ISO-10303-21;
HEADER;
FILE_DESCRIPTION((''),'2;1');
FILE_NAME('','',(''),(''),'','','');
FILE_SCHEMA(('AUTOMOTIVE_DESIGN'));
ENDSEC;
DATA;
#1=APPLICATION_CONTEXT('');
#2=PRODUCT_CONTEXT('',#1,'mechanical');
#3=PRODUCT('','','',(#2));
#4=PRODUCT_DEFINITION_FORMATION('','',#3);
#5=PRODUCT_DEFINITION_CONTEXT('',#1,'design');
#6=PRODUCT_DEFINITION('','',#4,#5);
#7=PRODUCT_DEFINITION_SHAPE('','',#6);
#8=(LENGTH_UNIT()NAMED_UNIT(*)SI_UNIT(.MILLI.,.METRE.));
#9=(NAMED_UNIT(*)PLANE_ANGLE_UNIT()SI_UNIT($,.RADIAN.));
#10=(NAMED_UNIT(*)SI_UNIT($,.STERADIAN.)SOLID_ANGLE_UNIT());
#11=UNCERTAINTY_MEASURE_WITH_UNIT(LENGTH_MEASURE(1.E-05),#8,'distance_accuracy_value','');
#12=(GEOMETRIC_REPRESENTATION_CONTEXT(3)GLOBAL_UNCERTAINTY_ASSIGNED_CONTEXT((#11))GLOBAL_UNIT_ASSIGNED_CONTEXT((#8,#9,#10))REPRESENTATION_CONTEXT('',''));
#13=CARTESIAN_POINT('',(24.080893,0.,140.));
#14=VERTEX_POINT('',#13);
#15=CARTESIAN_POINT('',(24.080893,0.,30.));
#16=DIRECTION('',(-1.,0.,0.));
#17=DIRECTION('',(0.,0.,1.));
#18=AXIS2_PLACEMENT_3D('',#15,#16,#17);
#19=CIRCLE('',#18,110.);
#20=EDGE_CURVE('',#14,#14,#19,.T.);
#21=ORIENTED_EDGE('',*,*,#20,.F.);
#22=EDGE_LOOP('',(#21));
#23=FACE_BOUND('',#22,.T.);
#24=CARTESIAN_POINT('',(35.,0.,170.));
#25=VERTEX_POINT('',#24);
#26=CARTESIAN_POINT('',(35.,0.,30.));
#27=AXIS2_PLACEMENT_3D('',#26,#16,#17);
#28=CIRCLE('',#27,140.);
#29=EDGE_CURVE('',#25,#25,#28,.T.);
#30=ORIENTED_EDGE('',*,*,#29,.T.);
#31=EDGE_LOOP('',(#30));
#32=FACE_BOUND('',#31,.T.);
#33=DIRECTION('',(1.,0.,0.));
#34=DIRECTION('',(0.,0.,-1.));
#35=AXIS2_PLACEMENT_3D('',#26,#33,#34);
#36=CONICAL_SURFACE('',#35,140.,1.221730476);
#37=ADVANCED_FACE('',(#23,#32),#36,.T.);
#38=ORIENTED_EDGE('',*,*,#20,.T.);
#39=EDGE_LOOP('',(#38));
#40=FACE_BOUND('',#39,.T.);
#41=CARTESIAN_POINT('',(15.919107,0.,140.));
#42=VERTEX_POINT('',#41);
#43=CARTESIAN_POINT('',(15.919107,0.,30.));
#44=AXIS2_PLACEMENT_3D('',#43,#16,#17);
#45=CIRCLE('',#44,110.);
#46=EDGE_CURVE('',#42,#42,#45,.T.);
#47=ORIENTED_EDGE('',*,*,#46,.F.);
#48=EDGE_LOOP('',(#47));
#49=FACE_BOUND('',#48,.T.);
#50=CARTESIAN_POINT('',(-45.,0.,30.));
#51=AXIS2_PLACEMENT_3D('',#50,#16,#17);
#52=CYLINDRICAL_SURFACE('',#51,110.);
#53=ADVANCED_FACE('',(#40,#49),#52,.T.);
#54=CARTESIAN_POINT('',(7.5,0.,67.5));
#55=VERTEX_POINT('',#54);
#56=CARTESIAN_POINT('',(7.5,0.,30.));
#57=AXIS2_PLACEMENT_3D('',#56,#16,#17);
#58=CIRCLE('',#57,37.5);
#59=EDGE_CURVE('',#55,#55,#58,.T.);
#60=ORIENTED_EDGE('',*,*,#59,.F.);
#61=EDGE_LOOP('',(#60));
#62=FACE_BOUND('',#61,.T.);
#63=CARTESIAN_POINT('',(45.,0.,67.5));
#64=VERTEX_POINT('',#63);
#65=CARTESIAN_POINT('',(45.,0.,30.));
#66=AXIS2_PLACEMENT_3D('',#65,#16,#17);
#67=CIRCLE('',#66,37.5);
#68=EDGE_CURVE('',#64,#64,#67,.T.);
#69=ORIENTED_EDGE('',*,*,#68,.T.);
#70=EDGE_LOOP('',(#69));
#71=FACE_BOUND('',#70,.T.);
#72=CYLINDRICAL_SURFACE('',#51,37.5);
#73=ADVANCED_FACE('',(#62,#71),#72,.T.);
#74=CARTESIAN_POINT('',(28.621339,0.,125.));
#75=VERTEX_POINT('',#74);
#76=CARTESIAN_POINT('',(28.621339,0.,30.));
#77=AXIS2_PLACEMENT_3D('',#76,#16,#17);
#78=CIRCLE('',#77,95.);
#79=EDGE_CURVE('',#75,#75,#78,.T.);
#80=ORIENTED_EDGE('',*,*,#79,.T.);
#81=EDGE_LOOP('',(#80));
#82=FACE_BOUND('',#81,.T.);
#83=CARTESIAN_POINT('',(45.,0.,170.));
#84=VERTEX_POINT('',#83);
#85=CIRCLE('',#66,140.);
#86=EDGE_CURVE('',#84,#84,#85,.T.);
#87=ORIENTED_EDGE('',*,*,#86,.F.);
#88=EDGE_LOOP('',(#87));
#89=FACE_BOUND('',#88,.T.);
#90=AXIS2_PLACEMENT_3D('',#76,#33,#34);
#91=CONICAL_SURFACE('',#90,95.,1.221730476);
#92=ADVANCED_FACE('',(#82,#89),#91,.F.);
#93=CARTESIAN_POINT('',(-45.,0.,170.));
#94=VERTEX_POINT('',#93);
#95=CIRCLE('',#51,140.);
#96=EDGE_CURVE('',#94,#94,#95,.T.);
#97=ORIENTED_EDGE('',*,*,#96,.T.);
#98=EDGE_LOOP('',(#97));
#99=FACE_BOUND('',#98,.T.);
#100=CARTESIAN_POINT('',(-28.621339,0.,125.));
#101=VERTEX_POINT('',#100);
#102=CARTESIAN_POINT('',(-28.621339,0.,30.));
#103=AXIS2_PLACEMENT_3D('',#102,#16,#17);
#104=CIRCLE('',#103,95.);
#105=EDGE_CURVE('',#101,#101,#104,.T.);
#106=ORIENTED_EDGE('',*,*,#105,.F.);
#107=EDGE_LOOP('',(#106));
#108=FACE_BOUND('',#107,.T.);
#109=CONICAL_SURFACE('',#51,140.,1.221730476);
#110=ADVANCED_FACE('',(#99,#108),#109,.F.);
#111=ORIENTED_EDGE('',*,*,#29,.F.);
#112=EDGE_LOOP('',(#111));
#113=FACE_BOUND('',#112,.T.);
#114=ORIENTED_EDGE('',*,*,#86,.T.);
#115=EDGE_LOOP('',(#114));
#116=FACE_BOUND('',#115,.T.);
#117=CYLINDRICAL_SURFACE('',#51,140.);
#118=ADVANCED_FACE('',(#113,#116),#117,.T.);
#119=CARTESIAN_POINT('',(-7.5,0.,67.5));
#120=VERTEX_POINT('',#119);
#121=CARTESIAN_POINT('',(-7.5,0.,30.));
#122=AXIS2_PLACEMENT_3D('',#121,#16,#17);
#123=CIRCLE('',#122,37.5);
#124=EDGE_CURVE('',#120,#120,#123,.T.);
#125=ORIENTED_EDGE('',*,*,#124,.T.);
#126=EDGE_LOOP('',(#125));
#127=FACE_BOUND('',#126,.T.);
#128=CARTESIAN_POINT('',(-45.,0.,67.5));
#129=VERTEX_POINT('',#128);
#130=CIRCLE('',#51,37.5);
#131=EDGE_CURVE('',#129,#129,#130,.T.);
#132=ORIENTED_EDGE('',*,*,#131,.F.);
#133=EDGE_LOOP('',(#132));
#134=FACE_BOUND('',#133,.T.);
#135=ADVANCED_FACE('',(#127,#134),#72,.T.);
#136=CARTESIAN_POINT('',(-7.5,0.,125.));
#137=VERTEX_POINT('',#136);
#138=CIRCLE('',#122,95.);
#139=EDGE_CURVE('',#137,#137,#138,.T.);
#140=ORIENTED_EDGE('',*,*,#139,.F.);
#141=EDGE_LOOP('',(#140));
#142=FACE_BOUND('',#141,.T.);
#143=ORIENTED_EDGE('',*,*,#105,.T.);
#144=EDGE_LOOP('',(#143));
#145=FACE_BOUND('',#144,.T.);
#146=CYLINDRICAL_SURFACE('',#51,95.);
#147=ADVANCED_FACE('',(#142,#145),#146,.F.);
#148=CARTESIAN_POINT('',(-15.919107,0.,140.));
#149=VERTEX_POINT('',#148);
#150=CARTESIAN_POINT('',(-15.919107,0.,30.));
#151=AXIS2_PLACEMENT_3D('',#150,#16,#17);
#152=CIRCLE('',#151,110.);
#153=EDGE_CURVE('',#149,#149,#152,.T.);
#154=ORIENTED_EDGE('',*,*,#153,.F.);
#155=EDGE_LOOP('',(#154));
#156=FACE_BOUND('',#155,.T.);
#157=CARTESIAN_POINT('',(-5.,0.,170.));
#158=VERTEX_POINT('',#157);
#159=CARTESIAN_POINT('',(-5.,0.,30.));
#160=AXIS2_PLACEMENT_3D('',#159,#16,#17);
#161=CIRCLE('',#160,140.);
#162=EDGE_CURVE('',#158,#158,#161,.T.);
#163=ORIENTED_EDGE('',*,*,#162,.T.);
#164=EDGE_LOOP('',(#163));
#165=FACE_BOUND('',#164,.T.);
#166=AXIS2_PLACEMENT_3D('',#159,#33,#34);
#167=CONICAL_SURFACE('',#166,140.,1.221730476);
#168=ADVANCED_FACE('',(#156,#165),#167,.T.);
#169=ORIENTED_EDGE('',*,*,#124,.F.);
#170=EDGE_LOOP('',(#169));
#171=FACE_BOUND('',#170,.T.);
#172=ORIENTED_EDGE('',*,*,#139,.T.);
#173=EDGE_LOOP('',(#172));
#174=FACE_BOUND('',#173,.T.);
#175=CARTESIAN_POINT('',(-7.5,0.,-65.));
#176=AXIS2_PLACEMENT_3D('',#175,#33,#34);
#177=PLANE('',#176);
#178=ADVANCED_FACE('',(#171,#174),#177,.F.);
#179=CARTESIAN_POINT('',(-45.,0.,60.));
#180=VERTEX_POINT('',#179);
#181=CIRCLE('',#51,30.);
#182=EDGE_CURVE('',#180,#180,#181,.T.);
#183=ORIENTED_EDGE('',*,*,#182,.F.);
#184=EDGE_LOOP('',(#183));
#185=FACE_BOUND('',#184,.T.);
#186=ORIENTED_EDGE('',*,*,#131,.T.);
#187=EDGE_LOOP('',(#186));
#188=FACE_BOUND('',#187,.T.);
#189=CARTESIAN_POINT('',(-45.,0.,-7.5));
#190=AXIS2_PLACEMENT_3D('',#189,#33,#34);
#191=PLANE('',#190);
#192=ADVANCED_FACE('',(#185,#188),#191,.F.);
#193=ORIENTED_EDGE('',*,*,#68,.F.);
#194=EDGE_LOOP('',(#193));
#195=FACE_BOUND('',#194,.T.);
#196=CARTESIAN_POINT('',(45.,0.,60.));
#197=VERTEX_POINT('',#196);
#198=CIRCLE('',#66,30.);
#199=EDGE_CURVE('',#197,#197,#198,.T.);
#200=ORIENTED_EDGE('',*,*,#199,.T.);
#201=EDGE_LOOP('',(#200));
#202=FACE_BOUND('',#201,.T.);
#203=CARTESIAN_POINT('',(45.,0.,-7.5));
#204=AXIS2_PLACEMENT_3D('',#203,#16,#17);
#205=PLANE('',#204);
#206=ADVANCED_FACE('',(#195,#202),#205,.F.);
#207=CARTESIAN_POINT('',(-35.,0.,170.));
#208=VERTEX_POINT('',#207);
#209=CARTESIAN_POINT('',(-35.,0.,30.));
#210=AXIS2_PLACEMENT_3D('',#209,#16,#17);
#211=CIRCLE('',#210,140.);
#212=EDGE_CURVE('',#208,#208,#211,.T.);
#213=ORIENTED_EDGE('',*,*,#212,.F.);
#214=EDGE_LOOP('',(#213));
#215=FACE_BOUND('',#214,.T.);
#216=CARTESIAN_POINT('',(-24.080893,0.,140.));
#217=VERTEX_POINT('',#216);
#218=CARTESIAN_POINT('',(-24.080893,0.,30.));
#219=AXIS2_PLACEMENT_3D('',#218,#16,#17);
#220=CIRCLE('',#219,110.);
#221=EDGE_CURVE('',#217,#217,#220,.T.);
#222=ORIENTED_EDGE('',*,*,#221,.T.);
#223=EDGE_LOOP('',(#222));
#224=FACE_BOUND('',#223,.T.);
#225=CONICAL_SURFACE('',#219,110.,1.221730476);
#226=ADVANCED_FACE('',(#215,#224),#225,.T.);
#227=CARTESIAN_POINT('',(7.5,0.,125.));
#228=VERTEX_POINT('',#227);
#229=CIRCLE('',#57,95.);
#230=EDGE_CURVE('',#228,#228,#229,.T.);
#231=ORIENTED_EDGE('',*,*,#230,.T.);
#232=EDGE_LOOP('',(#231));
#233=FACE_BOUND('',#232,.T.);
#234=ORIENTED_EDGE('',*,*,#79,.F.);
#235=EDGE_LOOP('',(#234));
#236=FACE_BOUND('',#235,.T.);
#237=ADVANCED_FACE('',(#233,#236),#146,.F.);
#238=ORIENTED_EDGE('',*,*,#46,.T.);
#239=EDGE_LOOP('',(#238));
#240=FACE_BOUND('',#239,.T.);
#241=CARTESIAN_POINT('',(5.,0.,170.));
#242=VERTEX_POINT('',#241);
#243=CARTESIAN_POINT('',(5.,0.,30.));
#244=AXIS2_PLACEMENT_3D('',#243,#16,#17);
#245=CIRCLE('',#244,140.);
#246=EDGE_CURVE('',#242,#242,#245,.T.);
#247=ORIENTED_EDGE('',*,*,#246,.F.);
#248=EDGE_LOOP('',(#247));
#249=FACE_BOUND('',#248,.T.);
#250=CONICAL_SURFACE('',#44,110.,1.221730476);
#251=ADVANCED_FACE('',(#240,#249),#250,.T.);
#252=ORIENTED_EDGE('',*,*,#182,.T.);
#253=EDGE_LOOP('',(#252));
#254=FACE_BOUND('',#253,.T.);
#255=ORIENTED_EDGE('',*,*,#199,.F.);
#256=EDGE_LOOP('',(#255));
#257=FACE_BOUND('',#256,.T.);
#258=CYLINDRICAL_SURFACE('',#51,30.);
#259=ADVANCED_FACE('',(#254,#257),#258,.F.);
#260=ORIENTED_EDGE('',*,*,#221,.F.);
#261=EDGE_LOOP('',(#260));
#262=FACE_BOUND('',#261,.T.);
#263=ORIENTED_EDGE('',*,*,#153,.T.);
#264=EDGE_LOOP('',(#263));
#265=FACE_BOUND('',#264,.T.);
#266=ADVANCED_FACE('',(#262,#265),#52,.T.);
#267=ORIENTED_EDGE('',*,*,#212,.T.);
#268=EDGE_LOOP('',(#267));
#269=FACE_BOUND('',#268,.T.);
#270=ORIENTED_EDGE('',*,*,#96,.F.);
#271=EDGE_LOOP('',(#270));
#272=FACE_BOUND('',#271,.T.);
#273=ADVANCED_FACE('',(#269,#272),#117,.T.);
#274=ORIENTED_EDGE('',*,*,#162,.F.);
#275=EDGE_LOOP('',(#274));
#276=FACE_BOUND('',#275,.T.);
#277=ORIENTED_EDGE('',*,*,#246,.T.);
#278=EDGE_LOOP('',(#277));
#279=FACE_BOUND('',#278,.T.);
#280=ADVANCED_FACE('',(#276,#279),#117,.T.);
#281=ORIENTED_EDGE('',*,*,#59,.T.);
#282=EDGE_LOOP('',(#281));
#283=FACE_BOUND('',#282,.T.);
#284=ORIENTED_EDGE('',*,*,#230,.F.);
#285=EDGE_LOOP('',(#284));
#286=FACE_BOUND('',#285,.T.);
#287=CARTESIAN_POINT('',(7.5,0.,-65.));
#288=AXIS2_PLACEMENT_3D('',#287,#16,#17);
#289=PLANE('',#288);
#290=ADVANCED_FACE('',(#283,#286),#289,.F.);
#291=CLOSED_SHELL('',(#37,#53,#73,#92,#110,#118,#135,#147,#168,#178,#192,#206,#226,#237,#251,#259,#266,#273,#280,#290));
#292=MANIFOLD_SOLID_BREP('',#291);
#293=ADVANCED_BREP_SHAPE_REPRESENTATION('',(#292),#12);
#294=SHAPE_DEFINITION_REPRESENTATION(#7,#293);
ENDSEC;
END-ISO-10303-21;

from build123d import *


with BuildPart() as part:
    # Croquis1 → Revolución1 (revolve)
    with BuildSketch(Plane(origin=(0, 0, 0), x_dir=(1, 0, 0), z_dir=(0, 1, 0)), mode=Mode.PRIVATE) as revoluci_n1_sk:
        Polygon((-5, 110), (5, 110), (15.919107028, 80), (24.080892972, 80), (35, 110), (45, 110), (28.621339458, 65), (7.5, 65), (7.5, 7.5), (45, 7.5), (45, 0), (-45, 0), (-45, 7.5), (-7.5, 7.5), (-7.5, 65), (-28.621339458, 65), (-45, 110), (-35, 110), (-24.080892972, 80), (-15.919107028, 80), align=None)
    revolve(revoluci_n1_sk.sketch.rotate(Axis((-45, 0, 30), (1, 0, 0)), 180), axis=Axis((-45, 0, 30), (1, 0, 0)))


solid = part.part
